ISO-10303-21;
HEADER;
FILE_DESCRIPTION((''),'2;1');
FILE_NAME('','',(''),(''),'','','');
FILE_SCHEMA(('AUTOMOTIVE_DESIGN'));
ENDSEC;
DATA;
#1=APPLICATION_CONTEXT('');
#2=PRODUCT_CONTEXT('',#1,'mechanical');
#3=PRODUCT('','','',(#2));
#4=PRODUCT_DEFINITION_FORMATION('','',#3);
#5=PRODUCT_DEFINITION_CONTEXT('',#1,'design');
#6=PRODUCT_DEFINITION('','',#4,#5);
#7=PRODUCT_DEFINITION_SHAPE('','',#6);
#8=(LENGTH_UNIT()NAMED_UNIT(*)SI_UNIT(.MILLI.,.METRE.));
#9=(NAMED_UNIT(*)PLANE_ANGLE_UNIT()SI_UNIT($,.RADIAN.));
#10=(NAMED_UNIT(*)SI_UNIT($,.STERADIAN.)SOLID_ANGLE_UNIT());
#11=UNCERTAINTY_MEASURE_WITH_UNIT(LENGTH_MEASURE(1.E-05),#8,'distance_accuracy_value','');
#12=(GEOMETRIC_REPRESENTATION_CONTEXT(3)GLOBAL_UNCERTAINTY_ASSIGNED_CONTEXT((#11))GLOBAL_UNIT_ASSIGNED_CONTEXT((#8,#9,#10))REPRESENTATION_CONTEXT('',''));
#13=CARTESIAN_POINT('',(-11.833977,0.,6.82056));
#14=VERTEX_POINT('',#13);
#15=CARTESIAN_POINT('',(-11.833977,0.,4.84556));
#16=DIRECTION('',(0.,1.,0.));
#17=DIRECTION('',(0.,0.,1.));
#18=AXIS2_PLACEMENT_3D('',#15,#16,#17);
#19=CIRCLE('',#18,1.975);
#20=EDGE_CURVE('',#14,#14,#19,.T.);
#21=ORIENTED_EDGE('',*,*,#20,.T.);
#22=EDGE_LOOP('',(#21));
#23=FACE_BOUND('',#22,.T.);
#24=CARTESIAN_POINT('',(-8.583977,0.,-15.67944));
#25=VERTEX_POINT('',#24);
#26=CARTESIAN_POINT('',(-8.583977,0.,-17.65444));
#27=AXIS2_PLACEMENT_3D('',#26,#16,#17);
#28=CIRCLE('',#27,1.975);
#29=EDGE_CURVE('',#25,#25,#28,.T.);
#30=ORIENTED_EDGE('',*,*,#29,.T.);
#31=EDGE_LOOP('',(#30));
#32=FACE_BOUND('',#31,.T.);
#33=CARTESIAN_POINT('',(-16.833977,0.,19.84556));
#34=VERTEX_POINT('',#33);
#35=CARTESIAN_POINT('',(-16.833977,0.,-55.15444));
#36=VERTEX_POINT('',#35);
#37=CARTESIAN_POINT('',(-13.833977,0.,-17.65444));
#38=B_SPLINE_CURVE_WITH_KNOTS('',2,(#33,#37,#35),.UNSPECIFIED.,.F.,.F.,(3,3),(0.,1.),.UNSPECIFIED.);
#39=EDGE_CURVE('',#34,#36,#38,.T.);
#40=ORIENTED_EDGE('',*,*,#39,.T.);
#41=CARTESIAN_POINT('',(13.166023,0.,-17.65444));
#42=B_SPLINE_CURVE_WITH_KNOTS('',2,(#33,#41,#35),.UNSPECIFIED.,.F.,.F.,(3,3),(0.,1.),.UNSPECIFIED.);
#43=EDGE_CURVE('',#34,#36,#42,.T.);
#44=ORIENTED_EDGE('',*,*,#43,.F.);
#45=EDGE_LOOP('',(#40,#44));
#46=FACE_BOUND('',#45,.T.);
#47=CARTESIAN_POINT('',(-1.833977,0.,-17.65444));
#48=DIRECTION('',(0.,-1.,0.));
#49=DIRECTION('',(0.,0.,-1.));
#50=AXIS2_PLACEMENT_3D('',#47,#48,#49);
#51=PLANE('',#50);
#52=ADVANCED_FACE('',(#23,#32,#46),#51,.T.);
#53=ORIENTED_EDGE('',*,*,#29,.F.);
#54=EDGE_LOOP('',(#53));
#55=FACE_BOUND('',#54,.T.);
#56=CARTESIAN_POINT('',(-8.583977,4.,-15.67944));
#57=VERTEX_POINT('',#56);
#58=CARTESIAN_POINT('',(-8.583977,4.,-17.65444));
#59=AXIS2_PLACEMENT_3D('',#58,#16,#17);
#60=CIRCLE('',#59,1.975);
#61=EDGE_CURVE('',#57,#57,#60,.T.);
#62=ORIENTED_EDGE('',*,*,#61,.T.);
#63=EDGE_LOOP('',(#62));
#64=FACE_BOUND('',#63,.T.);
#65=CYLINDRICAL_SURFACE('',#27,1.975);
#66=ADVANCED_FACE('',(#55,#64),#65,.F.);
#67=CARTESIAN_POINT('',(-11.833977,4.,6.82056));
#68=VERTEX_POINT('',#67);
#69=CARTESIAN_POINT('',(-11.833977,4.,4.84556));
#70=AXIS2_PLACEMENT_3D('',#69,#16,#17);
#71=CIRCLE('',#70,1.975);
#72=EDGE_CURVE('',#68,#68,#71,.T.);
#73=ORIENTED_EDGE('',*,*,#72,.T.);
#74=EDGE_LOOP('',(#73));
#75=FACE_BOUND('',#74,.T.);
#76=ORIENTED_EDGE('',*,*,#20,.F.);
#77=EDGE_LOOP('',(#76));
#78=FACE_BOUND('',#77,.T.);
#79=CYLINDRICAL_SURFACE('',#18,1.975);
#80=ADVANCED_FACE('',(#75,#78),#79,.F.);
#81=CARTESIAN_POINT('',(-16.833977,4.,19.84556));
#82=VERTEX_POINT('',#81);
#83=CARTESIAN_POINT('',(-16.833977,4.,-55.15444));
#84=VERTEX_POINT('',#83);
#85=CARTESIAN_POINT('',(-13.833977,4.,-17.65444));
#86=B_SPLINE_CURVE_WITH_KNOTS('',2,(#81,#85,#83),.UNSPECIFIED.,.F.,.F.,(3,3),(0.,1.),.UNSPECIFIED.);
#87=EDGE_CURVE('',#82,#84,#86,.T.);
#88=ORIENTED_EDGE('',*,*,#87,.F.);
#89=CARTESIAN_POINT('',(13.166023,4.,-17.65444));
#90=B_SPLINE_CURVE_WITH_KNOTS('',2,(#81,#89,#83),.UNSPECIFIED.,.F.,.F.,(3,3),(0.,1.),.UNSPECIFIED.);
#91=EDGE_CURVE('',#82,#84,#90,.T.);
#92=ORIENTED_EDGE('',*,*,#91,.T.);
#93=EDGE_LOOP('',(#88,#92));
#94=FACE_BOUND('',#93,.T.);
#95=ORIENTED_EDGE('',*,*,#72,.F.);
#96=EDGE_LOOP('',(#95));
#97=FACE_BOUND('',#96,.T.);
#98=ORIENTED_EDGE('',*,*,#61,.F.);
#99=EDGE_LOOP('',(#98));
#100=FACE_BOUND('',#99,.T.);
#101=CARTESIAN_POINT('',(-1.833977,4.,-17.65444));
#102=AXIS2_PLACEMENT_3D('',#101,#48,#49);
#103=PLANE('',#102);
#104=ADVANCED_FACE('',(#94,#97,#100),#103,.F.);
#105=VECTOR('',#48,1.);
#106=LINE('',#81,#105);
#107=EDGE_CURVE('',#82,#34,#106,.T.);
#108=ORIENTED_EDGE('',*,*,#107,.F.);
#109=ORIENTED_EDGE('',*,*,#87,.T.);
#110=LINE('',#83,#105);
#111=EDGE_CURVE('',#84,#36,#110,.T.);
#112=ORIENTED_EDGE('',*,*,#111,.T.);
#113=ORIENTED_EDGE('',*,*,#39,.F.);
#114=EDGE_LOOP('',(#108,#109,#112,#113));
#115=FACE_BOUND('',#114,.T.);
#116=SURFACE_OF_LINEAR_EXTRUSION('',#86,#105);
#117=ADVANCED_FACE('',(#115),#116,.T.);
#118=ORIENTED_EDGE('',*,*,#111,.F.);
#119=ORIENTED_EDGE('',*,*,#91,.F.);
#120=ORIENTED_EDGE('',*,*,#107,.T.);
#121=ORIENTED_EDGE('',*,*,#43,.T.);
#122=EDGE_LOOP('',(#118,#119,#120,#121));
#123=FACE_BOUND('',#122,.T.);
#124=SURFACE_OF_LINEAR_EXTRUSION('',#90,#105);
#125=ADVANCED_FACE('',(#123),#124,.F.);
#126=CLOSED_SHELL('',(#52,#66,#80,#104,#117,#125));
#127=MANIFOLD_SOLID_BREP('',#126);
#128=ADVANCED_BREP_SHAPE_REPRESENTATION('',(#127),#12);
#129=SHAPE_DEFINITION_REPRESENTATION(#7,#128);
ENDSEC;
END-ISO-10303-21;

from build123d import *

# Parameters (mm, degrees)
BOSS_EXTRUDE1_DEPTH = 4
SKETCH3_R           = 1.975
CUT_EXTRUDE1_DEPTH  = 5.0000001


with BuildPart() as part:
    # Sketch1 → Boss-Extrude1 (new body)
    with BuildSketch(Plane(origin=(0, 0, 0), x_dir=(1, 0, 0), z_dir=(0, 1, 0))):
        with BuildLine():
            add(Edge.make_bspline(
                [(-16.833976834, -19.845559846), (13.166023166, 17.654440154), (-16.833976834, 55.154440154)],
                knots=[0, 0, 0, 1, 1, 1], degree=2))
            add(Edge.make_bspline(
                [(-16.833976834, -19.845559846), (-13.833976834, 17.654440154), (-16.833976834, 55.154440154)],
                knots=[0, 0, 0, 1, 1, 1], degree=2))
        make_face()
    extrude(amount=BOSS_EXTRUDE1_DEPTH)

    # Sketch3 → Cut-Extrude1 (cut, through all)
    with BuildSketch(Plane(origin=(0, 4, 0), x_dir=(1, 0, 0), z_dir=(0, 1, 0))):
        with Locations((-8.583976834, 17.654440137)):
            Circle(SKETCH3_R)
        with Locations((-11.833976834, -4.845559846)):
            Circle(SKETCH3_R)
    extrude(amount=-CUT_EXTRUDE1_DEPTH, mode=Mode.SUBTRACT)


solid = part.part
